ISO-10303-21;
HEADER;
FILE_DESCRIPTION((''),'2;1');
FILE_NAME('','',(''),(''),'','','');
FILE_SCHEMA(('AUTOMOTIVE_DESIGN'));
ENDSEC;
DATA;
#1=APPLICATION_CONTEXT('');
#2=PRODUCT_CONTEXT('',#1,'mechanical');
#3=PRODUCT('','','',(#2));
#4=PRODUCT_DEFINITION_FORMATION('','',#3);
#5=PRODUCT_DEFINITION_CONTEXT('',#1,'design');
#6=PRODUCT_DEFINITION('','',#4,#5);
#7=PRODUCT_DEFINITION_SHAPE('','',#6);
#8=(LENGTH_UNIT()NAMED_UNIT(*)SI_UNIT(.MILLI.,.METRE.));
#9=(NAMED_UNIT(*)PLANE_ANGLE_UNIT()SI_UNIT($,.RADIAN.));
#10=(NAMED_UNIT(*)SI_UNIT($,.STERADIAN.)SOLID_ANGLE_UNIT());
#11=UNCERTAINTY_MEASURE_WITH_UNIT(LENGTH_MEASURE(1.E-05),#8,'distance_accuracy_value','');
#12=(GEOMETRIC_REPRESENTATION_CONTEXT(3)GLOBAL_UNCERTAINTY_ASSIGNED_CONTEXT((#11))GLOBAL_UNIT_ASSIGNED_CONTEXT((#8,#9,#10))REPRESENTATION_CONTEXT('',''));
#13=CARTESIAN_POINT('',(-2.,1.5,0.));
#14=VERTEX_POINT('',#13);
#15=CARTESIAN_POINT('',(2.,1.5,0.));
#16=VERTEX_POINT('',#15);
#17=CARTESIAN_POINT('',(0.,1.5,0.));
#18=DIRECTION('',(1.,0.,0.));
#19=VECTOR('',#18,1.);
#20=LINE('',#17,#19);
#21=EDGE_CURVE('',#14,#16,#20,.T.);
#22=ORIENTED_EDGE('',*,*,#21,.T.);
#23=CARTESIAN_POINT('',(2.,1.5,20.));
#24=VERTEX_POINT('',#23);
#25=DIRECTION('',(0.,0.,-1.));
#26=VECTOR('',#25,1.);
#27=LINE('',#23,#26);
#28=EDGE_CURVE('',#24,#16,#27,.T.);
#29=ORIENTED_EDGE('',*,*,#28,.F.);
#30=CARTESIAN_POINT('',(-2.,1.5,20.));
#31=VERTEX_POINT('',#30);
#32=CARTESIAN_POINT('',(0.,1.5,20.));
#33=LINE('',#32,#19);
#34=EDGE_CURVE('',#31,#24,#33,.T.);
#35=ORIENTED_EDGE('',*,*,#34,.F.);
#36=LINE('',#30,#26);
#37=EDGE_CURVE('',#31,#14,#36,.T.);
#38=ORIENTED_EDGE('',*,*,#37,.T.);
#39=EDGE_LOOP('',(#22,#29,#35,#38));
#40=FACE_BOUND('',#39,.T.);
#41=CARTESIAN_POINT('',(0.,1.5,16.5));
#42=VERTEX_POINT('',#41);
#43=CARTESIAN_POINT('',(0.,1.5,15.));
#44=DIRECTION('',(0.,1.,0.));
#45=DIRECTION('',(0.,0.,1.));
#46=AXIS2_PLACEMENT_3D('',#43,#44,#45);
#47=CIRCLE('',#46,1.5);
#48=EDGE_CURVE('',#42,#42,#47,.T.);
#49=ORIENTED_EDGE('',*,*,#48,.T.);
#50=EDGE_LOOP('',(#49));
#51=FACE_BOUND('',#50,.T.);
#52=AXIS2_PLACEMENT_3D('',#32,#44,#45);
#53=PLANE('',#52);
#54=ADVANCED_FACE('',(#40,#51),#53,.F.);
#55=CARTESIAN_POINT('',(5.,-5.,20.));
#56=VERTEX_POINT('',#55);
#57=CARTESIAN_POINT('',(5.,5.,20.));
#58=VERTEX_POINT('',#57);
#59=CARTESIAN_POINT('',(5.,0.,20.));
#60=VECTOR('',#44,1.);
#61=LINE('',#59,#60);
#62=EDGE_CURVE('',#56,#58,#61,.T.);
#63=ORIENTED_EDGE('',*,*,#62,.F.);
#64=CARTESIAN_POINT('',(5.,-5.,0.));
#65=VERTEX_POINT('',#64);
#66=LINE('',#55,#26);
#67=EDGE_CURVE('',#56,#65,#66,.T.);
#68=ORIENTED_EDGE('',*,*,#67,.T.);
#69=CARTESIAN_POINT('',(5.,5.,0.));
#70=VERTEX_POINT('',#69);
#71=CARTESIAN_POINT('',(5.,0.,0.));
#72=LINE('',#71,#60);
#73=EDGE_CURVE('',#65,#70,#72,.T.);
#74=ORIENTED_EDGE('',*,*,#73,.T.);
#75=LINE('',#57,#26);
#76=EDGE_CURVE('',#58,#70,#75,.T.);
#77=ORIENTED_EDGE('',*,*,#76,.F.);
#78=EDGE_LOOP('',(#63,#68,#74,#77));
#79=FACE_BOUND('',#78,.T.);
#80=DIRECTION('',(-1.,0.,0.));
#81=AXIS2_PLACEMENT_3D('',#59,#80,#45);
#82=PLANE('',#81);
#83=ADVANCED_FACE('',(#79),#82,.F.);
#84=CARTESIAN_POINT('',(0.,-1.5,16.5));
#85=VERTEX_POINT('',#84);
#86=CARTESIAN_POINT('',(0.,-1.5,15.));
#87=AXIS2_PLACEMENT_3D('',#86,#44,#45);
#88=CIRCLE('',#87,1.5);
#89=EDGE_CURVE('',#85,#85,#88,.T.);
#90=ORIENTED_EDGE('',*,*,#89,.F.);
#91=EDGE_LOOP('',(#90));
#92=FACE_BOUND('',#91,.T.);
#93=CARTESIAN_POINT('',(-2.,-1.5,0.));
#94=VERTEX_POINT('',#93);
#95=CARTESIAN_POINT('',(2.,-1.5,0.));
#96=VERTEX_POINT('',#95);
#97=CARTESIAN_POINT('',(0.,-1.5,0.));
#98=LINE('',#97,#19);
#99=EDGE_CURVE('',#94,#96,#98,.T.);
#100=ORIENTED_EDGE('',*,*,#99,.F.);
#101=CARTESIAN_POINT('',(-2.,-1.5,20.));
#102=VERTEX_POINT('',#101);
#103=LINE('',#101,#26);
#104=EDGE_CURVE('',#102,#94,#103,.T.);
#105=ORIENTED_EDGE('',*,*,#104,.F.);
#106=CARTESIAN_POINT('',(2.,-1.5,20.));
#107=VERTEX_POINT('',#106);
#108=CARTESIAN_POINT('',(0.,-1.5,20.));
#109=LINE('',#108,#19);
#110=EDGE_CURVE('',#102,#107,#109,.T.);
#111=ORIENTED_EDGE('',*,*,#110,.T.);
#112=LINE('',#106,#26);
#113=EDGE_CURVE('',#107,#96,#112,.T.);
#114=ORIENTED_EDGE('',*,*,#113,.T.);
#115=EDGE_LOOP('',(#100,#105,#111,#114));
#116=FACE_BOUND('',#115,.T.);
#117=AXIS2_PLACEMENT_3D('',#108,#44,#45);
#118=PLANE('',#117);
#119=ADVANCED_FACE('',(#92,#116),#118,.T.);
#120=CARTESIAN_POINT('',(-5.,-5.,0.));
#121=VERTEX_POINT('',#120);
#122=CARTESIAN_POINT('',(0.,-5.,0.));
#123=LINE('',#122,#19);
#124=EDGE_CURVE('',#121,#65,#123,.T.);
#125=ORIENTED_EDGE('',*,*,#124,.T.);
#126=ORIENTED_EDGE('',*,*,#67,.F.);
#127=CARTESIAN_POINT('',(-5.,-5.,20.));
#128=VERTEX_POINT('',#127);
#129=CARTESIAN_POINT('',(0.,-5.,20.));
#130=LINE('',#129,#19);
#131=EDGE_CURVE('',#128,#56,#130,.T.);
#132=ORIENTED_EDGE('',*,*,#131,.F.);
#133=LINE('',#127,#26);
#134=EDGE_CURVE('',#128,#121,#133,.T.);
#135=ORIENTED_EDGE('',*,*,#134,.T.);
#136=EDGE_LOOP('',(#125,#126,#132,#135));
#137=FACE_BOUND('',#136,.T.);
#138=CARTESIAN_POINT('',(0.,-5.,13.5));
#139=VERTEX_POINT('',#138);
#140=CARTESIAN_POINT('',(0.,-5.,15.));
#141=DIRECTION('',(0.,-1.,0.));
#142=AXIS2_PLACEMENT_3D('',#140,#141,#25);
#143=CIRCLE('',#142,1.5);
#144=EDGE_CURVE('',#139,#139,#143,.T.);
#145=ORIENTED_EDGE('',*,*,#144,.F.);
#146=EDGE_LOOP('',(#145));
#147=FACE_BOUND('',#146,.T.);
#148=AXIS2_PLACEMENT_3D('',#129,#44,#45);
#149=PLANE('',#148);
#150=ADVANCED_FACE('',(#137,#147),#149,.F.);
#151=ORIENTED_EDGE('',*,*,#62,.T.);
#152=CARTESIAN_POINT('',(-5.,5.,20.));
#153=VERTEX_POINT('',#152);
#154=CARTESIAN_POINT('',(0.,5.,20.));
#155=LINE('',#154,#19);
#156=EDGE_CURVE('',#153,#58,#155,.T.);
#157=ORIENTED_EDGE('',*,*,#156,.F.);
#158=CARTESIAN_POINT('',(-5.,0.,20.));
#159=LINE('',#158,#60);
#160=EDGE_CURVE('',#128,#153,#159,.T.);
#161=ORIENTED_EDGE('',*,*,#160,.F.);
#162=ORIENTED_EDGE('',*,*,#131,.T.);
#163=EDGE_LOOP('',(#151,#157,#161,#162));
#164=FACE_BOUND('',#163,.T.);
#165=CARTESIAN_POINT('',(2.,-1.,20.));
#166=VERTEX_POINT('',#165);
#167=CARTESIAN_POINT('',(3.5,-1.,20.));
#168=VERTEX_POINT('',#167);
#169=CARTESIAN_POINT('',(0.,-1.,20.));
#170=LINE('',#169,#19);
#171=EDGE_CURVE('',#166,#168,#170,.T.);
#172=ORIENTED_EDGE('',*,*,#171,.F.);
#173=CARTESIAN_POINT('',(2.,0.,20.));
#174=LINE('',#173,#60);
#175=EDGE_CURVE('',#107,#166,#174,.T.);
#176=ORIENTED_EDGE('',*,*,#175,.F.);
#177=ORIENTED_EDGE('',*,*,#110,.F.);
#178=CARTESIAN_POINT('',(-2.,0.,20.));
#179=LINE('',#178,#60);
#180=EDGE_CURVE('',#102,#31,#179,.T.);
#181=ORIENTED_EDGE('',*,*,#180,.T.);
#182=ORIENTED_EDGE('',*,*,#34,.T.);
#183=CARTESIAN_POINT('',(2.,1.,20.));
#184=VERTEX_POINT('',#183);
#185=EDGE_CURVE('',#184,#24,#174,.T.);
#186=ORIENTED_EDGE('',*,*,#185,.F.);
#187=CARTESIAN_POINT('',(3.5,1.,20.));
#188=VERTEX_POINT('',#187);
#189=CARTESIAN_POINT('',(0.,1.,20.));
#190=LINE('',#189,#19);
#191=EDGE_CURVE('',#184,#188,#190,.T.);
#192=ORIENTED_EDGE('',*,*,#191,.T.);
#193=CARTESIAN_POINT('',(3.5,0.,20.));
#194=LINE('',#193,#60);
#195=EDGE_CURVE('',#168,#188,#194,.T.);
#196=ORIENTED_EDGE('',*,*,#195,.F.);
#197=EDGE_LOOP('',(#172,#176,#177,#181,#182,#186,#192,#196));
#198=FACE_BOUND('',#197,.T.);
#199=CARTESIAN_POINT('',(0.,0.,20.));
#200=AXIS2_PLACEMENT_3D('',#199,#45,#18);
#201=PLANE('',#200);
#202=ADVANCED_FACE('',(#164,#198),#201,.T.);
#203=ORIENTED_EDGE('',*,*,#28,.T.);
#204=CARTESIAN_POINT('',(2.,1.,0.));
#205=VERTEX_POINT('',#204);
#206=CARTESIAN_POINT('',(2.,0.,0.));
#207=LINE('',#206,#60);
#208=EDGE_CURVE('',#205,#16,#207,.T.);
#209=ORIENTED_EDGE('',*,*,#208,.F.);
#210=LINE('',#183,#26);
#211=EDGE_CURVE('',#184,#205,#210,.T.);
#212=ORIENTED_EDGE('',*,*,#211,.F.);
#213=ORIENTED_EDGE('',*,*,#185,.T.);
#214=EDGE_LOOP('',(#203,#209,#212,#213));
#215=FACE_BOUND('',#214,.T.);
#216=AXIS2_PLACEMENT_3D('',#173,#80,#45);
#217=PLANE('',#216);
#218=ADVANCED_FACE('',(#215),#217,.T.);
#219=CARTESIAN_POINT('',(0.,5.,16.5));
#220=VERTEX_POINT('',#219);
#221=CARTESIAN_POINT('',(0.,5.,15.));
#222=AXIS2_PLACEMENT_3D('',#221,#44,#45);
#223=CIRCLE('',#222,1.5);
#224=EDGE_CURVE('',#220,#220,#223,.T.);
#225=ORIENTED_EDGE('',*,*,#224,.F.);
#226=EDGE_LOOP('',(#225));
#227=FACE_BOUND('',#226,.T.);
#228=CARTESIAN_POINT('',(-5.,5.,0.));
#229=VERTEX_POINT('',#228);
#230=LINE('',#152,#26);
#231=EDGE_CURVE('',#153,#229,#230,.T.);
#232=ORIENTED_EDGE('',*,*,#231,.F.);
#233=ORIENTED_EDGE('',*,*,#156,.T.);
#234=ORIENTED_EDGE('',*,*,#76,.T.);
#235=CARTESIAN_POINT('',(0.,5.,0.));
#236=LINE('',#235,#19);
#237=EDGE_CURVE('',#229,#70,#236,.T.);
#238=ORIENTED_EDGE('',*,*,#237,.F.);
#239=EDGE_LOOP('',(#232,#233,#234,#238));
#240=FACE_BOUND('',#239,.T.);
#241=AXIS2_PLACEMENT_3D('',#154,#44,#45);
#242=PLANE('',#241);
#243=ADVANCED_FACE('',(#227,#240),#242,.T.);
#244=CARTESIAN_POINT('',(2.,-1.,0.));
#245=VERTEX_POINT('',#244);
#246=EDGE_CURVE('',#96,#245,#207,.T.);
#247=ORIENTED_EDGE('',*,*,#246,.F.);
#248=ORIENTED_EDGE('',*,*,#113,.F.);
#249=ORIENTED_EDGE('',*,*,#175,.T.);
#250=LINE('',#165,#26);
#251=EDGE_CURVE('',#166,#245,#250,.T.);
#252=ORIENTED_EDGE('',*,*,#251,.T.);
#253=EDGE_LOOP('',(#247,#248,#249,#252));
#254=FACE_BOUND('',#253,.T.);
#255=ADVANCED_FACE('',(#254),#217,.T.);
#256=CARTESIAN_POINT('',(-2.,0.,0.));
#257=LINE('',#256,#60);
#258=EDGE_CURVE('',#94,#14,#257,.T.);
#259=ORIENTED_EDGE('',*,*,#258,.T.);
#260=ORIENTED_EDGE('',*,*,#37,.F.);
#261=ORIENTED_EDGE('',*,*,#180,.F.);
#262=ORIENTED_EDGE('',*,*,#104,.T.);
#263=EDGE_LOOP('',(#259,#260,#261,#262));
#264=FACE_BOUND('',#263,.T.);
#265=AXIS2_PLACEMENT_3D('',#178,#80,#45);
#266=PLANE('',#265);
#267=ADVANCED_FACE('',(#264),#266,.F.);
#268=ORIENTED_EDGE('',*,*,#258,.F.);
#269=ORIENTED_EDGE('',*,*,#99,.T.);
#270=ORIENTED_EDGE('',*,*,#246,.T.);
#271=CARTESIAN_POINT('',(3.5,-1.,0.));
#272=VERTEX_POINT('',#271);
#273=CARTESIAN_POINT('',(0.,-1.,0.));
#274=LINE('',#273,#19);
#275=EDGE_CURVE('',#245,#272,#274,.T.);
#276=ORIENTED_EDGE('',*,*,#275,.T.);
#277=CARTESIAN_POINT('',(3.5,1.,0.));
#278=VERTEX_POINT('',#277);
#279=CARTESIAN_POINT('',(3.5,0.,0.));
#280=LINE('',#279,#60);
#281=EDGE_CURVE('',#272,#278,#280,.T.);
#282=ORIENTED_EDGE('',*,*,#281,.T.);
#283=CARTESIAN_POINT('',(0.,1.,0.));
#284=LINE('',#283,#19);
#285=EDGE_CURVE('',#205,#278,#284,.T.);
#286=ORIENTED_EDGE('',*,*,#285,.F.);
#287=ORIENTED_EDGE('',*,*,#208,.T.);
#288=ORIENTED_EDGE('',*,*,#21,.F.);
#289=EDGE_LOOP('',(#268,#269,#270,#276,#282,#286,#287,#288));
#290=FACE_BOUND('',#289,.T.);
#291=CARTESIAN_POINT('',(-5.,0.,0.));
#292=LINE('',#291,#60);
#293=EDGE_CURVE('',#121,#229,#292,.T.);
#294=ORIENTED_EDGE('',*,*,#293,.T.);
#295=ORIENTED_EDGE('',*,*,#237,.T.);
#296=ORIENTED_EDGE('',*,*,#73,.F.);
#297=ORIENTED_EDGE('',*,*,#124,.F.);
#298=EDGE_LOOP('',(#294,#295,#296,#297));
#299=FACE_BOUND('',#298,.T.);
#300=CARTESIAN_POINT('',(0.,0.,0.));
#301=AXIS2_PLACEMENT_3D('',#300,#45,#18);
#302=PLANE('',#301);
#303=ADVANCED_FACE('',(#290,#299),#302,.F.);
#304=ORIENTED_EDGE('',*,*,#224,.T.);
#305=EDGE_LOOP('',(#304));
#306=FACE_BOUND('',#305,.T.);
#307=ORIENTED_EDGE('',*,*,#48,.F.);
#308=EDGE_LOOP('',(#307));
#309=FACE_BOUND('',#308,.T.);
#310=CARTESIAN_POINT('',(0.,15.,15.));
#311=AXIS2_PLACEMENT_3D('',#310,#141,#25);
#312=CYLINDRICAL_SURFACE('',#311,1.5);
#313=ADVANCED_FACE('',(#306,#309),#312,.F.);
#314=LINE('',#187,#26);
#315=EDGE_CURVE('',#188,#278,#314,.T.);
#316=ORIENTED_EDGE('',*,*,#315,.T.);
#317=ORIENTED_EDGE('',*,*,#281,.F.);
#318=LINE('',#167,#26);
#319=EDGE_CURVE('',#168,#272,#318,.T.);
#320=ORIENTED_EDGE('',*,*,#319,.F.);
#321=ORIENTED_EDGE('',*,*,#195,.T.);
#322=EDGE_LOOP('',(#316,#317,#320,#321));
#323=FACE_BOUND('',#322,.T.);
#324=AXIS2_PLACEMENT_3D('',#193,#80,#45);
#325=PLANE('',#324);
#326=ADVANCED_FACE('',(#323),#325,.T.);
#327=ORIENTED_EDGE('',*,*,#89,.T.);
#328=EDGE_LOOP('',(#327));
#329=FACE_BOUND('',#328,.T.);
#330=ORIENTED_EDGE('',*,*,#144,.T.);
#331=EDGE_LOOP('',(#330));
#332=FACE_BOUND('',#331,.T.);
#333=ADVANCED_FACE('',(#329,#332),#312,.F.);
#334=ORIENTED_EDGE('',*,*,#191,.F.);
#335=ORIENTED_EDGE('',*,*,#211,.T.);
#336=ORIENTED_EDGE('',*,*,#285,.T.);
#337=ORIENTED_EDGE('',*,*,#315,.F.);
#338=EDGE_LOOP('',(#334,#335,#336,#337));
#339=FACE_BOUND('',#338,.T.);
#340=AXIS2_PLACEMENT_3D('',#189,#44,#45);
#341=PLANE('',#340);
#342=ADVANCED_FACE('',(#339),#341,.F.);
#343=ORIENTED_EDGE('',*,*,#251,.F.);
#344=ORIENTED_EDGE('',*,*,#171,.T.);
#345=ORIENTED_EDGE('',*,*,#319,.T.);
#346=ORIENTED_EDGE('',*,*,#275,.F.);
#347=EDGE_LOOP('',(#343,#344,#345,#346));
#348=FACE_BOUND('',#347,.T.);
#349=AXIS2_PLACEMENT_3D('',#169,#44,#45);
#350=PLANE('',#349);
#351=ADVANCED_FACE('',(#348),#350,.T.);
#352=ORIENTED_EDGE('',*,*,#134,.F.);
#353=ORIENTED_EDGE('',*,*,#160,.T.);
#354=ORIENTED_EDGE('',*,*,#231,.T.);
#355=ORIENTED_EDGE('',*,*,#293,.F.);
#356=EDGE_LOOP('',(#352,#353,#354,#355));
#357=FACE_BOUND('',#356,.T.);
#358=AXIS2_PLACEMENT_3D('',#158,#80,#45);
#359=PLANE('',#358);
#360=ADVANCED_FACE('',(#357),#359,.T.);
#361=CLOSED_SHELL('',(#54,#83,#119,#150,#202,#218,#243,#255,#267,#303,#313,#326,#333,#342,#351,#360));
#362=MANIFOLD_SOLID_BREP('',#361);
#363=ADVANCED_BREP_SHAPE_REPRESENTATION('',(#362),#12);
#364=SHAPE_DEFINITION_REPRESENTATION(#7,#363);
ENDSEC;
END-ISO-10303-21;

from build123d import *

# Parameters (mm, degrees)
SKETCH1_W           = 10
SKETCH1_H           = 10
BOSS_EXTRUDE1_DEPTH = 20
SKETCH2_R           = 1.5
CUT_EXTRUDE1_DEPTH  = 20


with BuildPart() as part:
    # Sketch1 → Boss-Extrude1 (new body)
    with BuildSketch(Plane.XY):
        Rectangle(SKETCH1_W, SKETCH1_H)
        Polygon((2, -1.5), (-2, -1.5), (-2, 1.5), (2, 1.5), (2, 1), (3.5, 1), (3.5, -1), (2, -1), align=None, mode=Mode.SUBTRACT)
    extrude(amount=BOSS_EXTRUDE1_DEPTH)

    # Sketch2 → Cut-Extrude1 (cut)
    with BuildSketch(Plane.XZ.offset(5)):
        with Locations((0, 15)):
            Circle(SKETCH2_R)
    extrude(amount=-CUT_EXTRUDE1_DEPTH, mode=Mode.SUBTRACT)


solid = part.part
